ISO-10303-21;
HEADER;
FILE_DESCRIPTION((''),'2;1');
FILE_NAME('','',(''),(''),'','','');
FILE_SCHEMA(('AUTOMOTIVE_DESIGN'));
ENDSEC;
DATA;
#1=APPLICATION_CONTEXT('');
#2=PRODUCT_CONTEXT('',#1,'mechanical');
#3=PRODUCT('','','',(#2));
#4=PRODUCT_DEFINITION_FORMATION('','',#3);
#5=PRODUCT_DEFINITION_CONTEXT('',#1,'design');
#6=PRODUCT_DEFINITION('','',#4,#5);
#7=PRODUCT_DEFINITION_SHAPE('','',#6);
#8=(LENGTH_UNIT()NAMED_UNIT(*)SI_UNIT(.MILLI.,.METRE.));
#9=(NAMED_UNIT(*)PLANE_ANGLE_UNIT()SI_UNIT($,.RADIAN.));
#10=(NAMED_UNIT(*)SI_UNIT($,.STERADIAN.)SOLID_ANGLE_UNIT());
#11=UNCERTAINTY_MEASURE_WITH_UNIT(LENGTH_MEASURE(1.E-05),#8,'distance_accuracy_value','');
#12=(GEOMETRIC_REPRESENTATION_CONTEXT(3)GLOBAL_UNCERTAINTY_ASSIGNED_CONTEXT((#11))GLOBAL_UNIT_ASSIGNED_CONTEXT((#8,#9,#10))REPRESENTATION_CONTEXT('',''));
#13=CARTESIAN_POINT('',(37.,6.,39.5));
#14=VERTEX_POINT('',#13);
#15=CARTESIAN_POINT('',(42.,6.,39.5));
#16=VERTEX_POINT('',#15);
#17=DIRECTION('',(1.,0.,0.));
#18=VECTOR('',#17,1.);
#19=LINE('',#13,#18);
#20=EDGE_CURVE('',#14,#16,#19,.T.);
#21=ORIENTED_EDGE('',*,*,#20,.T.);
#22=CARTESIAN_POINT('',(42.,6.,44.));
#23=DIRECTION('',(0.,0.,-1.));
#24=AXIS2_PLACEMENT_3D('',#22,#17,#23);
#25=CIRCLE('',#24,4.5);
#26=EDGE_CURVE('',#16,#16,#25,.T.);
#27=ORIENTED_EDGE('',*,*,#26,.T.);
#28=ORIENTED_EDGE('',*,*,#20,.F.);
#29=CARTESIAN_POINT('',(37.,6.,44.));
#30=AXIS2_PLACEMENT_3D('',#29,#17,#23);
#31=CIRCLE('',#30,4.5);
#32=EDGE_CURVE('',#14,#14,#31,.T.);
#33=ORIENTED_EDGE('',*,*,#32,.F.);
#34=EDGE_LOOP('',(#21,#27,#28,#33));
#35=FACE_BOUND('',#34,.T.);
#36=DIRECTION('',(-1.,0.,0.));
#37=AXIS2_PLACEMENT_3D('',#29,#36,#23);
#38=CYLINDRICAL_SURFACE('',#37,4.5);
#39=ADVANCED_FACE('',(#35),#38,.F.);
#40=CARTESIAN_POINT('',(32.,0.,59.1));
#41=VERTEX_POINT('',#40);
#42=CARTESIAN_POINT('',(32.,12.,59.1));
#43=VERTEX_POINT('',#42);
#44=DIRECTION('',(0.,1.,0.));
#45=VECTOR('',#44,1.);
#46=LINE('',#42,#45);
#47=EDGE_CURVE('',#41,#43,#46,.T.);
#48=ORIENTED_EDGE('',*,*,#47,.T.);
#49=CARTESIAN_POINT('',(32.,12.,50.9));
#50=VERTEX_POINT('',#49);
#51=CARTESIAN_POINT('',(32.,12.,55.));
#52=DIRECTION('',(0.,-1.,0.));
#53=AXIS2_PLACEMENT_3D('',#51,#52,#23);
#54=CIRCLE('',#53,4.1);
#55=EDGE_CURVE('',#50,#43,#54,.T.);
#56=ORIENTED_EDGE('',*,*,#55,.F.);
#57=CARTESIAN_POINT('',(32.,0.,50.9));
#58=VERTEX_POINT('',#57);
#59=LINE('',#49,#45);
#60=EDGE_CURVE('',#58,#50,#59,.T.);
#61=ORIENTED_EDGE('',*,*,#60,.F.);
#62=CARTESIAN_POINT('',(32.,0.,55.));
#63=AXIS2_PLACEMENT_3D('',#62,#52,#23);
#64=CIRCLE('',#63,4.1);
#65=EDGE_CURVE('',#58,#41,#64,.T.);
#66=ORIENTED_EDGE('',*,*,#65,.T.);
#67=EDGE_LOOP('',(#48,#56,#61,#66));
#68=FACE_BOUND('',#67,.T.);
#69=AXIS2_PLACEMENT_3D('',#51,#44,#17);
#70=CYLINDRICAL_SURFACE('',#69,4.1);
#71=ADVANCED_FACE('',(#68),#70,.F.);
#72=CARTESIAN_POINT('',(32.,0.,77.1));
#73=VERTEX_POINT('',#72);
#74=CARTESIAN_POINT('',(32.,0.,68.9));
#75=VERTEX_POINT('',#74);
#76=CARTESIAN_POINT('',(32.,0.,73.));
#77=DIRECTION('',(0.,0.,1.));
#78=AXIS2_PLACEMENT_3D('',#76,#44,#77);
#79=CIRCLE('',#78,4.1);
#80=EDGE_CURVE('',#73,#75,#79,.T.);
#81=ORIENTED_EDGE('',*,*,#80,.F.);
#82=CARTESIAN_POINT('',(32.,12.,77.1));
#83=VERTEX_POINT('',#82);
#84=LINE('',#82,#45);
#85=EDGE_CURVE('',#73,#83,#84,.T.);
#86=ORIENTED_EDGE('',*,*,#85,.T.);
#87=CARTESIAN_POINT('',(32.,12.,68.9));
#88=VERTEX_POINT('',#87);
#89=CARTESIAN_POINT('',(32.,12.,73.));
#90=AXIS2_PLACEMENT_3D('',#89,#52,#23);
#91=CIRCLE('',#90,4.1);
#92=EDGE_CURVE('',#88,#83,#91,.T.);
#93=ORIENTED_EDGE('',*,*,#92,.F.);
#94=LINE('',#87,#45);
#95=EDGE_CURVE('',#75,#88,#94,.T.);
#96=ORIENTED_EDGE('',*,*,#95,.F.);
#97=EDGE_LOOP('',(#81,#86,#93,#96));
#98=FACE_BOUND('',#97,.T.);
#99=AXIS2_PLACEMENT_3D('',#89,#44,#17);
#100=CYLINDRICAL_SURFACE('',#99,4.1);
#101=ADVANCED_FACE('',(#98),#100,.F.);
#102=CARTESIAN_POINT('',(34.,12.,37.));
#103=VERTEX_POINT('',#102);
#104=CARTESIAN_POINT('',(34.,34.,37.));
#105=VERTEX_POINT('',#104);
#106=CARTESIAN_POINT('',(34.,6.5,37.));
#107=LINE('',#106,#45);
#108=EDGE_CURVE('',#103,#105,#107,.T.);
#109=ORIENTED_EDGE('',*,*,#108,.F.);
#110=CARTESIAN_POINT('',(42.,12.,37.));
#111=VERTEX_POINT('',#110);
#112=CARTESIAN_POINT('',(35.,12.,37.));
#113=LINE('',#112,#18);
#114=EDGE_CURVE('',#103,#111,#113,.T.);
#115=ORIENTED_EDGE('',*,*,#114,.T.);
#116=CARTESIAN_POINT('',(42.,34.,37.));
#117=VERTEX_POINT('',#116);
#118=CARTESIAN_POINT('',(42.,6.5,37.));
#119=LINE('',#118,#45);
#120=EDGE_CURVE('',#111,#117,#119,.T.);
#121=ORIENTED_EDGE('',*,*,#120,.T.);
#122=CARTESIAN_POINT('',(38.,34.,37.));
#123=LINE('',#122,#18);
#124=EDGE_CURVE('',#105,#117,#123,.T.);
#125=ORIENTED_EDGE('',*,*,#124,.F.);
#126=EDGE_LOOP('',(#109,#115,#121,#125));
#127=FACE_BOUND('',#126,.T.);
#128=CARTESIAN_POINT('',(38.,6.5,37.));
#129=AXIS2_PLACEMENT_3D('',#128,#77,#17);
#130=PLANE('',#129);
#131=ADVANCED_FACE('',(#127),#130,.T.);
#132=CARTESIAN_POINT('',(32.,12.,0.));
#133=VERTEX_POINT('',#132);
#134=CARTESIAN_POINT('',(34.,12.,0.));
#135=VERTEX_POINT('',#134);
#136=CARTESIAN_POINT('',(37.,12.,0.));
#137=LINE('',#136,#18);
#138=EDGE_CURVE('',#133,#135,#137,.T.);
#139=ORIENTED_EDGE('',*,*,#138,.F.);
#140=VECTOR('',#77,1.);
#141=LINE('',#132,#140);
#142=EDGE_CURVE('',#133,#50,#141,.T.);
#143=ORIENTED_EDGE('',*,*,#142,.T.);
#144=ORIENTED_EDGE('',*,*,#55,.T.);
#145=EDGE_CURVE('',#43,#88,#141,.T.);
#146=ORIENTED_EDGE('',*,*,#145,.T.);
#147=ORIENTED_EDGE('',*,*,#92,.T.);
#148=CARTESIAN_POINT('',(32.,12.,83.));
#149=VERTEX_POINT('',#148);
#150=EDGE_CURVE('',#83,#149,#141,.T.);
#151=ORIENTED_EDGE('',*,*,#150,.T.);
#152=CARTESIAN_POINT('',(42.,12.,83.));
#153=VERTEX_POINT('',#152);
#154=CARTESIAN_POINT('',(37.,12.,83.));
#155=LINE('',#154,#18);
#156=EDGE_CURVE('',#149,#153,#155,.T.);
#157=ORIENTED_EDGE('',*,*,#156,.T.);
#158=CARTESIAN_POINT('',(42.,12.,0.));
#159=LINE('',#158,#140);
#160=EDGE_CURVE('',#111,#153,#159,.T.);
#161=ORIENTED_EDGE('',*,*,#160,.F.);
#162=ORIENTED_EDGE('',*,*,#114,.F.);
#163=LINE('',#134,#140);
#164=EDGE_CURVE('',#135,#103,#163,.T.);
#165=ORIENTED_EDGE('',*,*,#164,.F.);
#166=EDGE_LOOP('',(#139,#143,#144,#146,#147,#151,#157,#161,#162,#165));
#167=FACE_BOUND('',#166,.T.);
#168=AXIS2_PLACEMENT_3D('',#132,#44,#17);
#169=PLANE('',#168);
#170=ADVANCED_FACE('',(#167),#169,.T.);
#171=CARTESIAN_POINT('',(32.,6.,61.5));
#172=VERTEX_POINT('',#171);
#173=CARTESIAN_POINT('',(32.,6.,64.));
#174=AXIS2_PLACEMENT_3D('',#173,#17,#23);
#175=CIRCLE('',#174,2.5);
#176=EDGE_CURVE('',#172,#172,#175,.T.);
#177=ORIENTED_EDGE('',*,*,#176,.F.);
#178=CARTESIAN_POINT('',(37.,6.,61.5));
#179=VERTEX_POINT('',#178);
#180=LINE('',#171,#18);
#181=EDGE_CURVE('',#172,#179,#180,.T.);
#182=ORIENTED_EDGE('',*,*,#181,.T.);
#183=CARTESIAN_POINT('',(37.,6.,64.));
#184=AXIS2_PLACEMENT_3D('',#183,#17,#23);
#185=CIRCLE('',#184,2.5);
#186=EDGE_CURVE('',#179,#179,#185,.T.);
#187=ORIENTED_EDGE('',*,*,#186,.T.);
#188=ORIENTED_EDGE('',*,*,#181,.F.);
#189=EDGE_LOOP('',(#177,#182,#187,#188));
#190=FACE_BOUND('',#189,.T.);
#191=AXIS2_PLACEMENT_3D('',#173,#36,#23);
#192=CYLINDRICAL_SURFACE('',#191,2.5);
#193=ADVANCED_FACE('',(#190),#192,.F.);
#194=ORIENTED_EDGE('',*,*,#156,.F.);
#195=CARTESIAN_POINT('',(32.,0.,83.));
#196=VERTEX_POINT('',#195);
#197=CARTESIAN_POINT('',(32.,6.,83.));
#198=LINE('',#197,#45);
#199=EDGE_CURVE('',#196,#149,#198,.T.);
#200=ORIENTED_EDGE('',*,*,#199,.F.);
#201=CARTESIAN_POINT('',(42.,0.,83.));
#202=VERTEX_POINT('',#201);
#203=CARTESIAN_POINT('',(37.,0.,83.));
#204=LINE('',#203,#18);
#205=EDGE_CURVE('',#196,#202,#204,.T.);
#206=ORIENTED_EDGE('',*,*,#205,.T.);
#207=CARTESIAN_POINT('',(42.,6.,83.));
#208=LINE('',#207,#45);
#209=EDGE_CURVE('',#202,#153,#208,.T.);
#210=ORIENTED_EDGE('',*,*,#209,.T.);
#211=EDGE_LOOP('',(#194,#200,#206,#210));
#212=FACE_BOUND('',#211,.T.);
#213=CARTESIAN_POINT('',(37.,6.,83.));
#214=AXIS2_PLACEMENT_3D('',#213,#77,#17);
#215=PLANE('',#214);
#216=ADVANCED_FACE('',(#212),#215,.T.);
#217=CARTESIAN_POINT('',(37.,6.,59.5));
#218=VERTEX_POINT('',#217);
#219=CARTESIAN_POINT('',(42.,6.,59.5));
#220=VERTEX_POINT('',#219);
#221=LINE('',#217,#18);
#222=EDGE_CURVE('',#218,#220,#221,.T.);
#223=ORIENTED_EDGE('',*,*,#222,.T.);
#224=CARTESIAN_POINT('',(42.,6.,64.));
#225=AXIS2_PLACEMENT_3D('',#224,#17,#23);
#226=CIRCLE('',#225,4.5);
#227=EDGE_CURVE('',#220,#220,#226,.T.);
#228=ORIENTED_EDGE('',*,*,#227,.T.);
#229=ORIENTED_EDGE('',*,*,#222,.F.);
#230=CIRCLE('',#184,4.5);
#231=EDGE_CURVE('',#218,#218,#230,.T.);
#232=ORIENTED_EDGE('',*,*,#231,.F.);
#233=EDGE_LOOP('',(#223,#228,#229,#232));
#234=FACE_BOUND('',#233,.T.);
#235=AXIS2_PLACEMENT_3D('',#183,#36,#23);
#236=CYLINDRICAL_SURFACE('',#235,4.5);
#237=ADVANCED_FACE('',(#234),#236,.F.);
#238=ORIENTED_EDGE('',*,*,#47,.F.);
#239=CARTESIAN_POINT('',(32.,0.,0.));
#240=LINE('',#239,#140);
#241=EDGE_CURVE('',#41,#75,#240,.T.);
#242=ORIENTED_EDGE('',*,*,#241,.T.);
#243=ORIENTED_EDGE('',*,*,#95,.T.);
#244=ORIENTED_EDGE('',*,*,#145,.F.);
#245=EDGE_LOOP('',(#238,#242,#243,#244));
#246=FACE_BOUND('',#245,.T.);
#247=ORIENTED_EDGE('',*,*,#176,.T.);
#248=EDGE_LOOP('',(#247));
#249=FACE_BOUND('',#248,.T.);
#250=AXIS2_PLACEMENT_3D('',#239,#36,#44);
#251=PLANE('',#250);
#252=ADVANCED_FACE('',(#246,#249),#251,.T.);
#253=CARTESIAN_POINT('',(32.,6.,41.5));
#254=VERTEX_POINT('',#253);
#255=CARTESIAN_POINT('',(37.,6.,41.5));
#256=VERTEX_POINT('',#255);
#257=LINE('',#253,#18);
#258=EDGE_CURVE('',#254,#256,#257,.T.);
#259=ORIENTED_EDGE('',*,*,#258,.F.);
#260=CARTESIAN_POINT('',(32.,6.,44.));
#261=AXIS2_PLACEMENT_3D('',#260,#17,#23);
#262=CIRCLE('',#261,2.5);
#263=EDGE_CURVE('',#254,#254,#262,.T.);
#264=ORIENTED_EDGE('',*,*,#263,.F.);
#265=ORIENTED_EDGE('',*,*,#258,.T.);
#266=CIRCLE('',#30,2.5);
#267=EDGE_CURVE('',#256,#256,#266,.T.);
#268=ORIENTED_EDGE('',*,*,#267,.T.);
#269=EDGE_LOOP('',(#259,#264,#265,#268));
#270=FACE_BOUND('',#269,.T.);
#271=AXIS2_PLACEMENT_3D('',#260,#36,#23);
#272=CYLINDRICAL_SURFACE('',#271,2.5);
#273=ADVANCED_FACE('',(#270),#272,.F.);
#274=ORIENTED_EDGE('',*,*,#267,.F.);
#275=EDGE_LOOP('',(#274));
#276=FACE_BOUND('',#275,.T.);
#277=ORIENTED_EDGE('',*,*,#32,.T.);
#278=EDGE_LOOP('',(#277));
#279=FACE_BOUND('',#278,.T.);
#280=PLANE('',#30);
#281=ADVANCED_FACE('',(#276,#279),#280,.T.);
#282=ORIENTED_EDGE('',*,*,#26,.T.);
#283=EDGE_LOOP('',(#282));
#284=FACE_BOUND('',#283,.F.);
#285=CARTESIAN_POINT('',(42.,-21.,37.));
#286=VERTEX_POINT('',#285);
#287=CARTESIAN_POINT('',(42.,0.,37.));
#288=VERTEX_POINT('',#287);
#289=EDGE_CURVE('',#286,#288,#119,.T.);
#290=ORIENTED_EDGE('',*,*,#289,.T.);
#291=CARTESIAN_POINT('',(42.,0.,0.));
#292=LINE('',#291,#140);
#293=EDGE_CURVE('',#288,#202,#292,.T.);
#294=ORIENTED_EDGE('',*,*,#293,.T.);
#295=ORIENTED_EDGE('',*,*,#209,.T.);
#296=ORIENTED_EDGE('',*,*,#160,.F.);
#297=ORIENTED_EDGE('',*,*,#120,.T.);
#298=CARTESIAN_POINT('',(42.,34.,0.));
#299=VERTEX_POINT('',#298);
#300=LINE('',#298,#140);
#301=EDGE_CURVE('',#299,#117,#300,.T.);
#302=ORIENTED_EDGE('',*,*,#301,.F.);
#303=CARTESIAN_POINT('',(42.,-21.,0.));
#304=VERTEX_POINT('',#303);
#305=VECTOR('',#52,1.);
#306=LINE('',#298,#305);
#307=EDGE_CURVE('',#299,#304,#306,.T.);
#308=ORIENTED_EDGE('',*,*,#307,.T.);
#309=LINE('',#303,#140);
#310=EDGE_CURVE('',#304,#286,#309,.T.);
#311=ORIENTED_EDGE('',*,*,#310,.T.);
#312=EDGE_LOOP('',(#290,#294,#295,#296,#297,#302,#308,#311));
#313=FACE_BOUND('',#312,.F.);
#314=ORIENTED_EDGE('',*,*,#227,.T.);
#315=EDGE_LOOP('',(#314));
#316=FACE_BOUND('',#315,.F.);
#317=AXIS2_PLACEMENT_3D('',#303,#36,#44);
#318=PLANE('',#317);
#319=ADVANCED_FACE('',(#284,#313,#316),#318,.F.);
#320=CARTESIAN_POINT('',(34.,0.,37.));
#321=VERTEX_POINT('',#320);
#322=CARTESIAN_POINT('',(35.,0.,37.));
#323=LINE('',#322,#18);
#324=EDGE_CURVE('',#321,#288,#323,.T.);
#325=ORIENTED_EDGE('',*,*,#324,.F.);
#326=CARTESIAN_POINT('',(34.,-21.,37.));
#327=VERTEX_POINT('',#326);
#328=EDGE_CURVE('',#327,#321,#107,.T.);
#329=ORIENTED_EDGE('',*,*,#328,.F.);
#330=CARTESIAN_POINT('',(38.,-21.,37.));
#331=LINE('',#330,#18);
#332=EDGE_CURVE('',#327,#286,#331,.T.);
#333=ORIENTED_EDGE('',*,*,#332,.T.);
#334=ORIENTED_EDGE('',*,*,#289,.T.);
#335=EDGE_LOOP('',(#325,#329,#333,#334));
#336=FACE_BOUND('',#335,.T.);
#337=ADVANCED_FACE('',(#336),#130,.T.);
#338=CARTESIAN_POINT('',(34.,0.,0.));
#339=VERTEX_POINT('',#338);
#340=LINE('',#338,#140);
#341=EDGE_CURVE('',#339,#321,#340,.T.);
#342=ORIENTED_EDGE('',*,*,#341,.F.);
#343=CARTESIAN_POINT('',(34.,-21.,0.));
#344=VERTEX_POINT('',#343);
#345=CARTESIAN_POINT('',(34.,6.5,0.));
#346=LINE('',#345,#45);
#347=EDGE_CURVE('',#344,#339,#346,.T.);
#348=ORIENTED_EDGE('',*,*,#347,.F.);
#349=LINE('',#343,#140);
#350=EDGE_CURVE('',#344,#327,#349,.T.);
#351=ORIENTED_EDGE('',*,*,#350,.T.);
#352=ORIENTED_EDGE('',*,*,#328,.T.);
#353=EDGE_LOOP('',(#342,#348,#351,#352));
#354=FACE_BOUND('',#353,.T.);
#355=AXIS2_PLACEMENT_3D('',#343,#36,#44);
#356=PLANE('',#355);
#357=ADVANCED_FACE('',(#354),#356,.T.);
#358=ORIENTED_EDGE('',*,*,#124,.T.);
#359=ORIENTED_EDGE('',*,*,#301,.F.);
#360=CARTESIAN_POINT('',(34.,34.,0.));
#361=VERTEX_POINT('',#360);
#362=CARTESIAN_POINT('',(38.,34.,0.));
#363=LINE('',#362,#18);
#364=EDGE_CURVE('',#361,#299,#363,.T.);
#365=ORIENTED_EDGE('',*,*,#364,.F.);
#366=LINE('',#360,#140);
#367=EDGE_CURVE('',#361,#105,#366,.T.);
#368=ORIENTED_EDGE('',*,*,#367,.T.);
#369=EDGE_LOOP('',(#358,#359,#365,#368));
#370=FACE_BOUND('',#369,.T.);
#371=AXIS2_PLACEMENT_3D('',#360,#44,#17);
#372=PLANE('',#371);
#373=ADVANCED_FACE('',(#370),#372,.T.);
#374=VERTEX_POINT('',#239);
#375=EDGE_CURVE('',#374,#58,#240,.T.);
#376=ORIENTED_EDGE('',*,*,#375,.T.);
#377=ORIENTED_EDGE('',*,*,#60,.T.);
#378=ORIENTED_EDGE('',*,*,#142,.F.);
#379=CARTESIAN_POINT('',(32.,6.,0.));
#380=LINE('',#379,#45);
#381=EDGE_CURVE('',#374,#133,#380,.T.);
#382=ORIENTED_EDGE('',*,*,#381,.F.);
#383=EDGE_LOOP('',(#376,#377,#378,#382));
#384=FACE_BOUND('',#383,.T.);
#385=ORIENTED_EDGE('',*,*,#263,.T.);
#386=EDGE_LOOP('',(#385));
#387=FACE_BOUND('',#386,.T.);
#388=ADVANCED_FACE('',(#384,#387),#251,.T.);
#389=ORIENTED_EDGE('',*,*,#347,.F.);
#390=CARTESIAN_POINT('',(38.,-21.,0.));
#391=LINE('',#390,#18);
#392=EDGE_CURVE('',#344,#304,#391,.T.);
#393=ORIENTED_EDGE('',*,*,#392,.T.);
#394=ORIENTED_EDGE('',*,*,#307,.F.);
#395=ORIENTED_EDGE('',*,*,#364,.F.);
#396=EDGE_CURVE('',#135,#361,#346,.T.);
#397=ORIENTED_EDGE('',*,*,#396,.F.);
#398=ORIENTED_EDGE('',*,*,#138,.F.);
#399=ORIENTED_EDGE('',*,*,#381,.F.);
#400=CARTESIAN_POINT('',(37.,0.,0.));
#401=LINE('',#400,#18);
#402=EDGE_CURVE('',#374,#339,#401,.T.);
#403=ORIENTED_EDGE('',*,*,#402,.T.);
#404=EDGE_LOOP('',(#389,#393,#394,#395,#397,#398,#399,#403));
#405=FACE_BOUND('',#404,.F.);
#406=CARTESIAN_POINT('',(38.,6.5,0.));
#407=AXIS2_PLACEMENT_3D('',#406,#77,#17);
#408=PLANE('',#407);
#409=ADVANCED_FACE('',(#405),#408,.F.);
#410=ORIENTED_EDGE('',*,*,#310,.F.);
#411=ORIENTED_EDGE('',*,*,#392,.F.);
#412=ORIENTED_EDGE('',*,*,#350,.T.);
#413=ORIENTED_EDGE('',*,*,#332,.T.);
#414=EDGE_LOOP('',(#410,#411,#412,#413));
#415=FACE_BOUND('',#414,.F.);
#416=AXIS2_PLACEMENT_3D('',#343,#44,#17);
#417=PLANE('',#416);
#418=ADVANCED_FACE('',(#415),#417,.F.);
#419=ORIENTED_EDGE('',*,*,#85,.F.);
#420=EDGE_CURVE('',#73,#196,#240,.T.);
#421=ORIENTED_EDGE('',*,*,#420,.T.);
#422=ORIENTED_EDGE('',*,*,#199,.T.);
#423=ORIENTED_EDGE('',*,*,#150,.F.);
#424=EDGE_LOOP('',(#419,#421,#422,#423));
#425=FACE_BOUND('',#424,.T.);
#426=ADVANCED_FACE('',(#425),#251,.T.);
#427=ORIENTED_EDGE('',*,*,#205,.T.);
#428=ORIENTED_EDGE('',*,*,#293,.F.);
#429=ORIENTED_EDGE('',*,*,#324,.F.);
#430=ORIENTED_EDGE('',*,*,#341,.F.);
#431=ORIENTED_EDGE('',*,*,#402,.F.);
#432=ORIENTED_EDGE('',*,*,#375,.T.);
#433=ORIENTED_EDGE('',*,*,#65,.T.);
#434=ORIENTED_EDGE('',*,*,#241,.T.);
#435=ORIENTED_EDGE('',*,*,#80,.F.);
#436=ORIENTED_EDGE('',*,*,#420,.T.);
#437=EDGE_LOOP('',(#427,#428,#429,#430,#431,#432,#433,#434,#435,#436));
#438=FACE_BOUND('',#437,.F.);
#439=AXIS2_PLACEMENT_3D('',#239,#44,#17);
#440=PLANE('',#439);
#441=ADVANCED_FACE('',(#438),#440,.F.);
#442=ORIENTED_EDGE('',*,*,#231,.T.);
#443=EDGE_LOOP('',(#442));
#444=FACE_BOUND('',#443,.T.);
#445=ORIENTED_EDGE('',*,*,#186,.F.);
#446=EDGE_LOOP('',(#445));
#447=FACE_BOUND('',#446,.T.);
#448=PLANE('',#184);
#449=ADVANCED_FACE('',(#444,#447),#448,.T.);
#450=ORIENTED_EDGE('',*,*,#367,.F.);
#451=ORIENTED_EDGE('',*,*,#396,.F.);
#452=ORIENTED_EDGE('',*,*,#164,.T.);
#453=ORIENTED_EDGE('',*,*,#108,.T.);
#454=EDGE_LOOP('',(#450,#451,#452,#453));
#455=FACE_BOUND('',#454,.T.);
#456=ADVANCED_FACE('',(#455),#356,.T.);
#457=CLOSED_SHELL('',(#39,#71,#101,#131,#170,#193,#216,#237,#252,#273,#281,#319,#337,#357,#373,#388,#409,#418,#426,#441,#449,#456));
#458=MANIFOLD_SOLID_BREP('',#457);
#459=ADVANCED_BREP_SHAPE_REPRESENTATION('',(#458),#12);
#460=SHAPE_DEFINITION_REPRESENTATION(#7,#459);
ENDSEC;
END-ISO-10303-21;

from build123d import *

# Parameters (mm, degrees)
BOX008_W          = 8
BOX008_H          = 55
BOX008_DEPTH      = 37
CYLINDER022_R     = 4.1
CYLINDER022_DEPTH = 12
CYLINDER010_R     = 4.1
CYLINDER010_DEPTH = 12
CYLINDER006_R     = 4.5
CYLINDER006_DEPTH = 5
CYLINDER005_R     = 2.5
CYLINDER005_DEPTH = 5
CYLINDER012_R     = 4.5
CYLINDER012_DEPTH = 5
CYLINDER011_R     = 2.5
CYLINDER011_DEPTH = 5
BOX_W             = 10
BOX_H             = 12
BOX_DEPTH         = 83


with BuildPart() as batteriefl_che:
    # Box008 → Box008 (new body)
    with BuildSketch(Plane(origin=(34, -21, 0), x_dir=(1, 0, 0), z_dir=(0, 0, 1))):
        with Locations((4, 27.5)):
            Rectangle(BOX008_W, BOX008_H)
    extrude(amount=BOX008_DEPTH)


with BuildPart() as poleb1:
    # Cylinder022 → Cylinder022 (new body)
    with BuildSketch(Plane(origin=(32, 12, 73), x_dir=(1, 0, 0), z_dir=(0, -1, 0))):
        Circle(CYLINDER022_R)
    extrude(amount=CYLINDER022_DEPTH)


with BuildPart() as poleb2:
    # Cylinder010 → Cylinder010 (new body)
    with BuildSketch(Plane(origin=(32, 12, 55), x_dir=(1, 0, 0), z_dir=(0, -1, 0))):
        Circle(CYLINDER010_R)
    extrude(amount=CYLINDER010_DEPTH)


with BuildPart() as cylinder006:
    # Cylinder006 → Cylinder006 (new body)
    with BuildSketch(Plane(origin=(37, 5, 55), x_dir=(0, 0, -1), z_dir=(1, 0, 0))):
        Circle(CYLINDER006_R)
    extrude(amount=CYLINDER006_DEPTH)


with BuildPart() as crewhole1:
    # Cylinder005 → Cylinder005 (new body)
    with BuildSketch(Plane(origin=(32, 5, 55), x_dir=(0, 0, -1), z_dir=(1, 0, 0))):
        Circle(CYLINDER005_R)
    extrude(amount=CYLINDER005_DEPTH)

    # Fusion003: union Cylinder006
    add(cylinder006.part)


with BuildPart() as crewhole1_1:
    # Fusion003 placement: moved
    add(crewhole1.part.moved(Location((0, 1, 9))))


with BuildPart() as cylinder012:
    # Cylinder012 → Cylinder012 (new body)
    with BuildSketch(Plane(origin=(37, 5, 55), x_dir=(0, 0, -1), z_dir=(1, 0, 0))):
        Circle(CYLINDER012_R)
    extrude(amount=CYLINDER012_DEPTH)


with BuildPart() as screwholes:
    # Cylinder011 → Cylinder011 (new body)
    with BuildSketch(Plane(origin=(32, 5, 55), x_dir=(0, 0, -1), z_dir=(1, 0, 0))):
        Circle(CYLINDER011_R)
    extrude(amount=CYLINDER011_DEPTH)

    # Fusion004: union Cylinder012
    add(cylinder012.part)


with BuildPart() as screwholes_1:
    # Fusion004 placement: moved
    add(screwholes.part.moved(Location((0, 1, -11))))

    # Fusion005: union CrewHole1
    add(crewhole1_1.part)


with BuildPart() as druckb:
    # Box → Box (new body)
    with BuildSketch(Plane(origin=(32, 0, 0), x_dir=(1, 0, 0), z_dir=(0, 0, 1))):
        with Locations((5, 6)):
            Rectangle(BOX_W, BOX_H)
    extrude(amount=BOX_DEPTH)

    # Cut: cut ScrewHoles
    add(screwholes_1.part, mode=Mode.SUBTRACT)

    # Cut007: cut PoleB2
    add(poleb2.part, mode=Mode.SUBTRACT)

    # Cut008: cut PoleB1
    add(poleb1.part, mode=Mode.SUBTRACT)

    # Fusion011: union Batteriefläche
    add(batteriefl_che.part)


solid = druckb.part
